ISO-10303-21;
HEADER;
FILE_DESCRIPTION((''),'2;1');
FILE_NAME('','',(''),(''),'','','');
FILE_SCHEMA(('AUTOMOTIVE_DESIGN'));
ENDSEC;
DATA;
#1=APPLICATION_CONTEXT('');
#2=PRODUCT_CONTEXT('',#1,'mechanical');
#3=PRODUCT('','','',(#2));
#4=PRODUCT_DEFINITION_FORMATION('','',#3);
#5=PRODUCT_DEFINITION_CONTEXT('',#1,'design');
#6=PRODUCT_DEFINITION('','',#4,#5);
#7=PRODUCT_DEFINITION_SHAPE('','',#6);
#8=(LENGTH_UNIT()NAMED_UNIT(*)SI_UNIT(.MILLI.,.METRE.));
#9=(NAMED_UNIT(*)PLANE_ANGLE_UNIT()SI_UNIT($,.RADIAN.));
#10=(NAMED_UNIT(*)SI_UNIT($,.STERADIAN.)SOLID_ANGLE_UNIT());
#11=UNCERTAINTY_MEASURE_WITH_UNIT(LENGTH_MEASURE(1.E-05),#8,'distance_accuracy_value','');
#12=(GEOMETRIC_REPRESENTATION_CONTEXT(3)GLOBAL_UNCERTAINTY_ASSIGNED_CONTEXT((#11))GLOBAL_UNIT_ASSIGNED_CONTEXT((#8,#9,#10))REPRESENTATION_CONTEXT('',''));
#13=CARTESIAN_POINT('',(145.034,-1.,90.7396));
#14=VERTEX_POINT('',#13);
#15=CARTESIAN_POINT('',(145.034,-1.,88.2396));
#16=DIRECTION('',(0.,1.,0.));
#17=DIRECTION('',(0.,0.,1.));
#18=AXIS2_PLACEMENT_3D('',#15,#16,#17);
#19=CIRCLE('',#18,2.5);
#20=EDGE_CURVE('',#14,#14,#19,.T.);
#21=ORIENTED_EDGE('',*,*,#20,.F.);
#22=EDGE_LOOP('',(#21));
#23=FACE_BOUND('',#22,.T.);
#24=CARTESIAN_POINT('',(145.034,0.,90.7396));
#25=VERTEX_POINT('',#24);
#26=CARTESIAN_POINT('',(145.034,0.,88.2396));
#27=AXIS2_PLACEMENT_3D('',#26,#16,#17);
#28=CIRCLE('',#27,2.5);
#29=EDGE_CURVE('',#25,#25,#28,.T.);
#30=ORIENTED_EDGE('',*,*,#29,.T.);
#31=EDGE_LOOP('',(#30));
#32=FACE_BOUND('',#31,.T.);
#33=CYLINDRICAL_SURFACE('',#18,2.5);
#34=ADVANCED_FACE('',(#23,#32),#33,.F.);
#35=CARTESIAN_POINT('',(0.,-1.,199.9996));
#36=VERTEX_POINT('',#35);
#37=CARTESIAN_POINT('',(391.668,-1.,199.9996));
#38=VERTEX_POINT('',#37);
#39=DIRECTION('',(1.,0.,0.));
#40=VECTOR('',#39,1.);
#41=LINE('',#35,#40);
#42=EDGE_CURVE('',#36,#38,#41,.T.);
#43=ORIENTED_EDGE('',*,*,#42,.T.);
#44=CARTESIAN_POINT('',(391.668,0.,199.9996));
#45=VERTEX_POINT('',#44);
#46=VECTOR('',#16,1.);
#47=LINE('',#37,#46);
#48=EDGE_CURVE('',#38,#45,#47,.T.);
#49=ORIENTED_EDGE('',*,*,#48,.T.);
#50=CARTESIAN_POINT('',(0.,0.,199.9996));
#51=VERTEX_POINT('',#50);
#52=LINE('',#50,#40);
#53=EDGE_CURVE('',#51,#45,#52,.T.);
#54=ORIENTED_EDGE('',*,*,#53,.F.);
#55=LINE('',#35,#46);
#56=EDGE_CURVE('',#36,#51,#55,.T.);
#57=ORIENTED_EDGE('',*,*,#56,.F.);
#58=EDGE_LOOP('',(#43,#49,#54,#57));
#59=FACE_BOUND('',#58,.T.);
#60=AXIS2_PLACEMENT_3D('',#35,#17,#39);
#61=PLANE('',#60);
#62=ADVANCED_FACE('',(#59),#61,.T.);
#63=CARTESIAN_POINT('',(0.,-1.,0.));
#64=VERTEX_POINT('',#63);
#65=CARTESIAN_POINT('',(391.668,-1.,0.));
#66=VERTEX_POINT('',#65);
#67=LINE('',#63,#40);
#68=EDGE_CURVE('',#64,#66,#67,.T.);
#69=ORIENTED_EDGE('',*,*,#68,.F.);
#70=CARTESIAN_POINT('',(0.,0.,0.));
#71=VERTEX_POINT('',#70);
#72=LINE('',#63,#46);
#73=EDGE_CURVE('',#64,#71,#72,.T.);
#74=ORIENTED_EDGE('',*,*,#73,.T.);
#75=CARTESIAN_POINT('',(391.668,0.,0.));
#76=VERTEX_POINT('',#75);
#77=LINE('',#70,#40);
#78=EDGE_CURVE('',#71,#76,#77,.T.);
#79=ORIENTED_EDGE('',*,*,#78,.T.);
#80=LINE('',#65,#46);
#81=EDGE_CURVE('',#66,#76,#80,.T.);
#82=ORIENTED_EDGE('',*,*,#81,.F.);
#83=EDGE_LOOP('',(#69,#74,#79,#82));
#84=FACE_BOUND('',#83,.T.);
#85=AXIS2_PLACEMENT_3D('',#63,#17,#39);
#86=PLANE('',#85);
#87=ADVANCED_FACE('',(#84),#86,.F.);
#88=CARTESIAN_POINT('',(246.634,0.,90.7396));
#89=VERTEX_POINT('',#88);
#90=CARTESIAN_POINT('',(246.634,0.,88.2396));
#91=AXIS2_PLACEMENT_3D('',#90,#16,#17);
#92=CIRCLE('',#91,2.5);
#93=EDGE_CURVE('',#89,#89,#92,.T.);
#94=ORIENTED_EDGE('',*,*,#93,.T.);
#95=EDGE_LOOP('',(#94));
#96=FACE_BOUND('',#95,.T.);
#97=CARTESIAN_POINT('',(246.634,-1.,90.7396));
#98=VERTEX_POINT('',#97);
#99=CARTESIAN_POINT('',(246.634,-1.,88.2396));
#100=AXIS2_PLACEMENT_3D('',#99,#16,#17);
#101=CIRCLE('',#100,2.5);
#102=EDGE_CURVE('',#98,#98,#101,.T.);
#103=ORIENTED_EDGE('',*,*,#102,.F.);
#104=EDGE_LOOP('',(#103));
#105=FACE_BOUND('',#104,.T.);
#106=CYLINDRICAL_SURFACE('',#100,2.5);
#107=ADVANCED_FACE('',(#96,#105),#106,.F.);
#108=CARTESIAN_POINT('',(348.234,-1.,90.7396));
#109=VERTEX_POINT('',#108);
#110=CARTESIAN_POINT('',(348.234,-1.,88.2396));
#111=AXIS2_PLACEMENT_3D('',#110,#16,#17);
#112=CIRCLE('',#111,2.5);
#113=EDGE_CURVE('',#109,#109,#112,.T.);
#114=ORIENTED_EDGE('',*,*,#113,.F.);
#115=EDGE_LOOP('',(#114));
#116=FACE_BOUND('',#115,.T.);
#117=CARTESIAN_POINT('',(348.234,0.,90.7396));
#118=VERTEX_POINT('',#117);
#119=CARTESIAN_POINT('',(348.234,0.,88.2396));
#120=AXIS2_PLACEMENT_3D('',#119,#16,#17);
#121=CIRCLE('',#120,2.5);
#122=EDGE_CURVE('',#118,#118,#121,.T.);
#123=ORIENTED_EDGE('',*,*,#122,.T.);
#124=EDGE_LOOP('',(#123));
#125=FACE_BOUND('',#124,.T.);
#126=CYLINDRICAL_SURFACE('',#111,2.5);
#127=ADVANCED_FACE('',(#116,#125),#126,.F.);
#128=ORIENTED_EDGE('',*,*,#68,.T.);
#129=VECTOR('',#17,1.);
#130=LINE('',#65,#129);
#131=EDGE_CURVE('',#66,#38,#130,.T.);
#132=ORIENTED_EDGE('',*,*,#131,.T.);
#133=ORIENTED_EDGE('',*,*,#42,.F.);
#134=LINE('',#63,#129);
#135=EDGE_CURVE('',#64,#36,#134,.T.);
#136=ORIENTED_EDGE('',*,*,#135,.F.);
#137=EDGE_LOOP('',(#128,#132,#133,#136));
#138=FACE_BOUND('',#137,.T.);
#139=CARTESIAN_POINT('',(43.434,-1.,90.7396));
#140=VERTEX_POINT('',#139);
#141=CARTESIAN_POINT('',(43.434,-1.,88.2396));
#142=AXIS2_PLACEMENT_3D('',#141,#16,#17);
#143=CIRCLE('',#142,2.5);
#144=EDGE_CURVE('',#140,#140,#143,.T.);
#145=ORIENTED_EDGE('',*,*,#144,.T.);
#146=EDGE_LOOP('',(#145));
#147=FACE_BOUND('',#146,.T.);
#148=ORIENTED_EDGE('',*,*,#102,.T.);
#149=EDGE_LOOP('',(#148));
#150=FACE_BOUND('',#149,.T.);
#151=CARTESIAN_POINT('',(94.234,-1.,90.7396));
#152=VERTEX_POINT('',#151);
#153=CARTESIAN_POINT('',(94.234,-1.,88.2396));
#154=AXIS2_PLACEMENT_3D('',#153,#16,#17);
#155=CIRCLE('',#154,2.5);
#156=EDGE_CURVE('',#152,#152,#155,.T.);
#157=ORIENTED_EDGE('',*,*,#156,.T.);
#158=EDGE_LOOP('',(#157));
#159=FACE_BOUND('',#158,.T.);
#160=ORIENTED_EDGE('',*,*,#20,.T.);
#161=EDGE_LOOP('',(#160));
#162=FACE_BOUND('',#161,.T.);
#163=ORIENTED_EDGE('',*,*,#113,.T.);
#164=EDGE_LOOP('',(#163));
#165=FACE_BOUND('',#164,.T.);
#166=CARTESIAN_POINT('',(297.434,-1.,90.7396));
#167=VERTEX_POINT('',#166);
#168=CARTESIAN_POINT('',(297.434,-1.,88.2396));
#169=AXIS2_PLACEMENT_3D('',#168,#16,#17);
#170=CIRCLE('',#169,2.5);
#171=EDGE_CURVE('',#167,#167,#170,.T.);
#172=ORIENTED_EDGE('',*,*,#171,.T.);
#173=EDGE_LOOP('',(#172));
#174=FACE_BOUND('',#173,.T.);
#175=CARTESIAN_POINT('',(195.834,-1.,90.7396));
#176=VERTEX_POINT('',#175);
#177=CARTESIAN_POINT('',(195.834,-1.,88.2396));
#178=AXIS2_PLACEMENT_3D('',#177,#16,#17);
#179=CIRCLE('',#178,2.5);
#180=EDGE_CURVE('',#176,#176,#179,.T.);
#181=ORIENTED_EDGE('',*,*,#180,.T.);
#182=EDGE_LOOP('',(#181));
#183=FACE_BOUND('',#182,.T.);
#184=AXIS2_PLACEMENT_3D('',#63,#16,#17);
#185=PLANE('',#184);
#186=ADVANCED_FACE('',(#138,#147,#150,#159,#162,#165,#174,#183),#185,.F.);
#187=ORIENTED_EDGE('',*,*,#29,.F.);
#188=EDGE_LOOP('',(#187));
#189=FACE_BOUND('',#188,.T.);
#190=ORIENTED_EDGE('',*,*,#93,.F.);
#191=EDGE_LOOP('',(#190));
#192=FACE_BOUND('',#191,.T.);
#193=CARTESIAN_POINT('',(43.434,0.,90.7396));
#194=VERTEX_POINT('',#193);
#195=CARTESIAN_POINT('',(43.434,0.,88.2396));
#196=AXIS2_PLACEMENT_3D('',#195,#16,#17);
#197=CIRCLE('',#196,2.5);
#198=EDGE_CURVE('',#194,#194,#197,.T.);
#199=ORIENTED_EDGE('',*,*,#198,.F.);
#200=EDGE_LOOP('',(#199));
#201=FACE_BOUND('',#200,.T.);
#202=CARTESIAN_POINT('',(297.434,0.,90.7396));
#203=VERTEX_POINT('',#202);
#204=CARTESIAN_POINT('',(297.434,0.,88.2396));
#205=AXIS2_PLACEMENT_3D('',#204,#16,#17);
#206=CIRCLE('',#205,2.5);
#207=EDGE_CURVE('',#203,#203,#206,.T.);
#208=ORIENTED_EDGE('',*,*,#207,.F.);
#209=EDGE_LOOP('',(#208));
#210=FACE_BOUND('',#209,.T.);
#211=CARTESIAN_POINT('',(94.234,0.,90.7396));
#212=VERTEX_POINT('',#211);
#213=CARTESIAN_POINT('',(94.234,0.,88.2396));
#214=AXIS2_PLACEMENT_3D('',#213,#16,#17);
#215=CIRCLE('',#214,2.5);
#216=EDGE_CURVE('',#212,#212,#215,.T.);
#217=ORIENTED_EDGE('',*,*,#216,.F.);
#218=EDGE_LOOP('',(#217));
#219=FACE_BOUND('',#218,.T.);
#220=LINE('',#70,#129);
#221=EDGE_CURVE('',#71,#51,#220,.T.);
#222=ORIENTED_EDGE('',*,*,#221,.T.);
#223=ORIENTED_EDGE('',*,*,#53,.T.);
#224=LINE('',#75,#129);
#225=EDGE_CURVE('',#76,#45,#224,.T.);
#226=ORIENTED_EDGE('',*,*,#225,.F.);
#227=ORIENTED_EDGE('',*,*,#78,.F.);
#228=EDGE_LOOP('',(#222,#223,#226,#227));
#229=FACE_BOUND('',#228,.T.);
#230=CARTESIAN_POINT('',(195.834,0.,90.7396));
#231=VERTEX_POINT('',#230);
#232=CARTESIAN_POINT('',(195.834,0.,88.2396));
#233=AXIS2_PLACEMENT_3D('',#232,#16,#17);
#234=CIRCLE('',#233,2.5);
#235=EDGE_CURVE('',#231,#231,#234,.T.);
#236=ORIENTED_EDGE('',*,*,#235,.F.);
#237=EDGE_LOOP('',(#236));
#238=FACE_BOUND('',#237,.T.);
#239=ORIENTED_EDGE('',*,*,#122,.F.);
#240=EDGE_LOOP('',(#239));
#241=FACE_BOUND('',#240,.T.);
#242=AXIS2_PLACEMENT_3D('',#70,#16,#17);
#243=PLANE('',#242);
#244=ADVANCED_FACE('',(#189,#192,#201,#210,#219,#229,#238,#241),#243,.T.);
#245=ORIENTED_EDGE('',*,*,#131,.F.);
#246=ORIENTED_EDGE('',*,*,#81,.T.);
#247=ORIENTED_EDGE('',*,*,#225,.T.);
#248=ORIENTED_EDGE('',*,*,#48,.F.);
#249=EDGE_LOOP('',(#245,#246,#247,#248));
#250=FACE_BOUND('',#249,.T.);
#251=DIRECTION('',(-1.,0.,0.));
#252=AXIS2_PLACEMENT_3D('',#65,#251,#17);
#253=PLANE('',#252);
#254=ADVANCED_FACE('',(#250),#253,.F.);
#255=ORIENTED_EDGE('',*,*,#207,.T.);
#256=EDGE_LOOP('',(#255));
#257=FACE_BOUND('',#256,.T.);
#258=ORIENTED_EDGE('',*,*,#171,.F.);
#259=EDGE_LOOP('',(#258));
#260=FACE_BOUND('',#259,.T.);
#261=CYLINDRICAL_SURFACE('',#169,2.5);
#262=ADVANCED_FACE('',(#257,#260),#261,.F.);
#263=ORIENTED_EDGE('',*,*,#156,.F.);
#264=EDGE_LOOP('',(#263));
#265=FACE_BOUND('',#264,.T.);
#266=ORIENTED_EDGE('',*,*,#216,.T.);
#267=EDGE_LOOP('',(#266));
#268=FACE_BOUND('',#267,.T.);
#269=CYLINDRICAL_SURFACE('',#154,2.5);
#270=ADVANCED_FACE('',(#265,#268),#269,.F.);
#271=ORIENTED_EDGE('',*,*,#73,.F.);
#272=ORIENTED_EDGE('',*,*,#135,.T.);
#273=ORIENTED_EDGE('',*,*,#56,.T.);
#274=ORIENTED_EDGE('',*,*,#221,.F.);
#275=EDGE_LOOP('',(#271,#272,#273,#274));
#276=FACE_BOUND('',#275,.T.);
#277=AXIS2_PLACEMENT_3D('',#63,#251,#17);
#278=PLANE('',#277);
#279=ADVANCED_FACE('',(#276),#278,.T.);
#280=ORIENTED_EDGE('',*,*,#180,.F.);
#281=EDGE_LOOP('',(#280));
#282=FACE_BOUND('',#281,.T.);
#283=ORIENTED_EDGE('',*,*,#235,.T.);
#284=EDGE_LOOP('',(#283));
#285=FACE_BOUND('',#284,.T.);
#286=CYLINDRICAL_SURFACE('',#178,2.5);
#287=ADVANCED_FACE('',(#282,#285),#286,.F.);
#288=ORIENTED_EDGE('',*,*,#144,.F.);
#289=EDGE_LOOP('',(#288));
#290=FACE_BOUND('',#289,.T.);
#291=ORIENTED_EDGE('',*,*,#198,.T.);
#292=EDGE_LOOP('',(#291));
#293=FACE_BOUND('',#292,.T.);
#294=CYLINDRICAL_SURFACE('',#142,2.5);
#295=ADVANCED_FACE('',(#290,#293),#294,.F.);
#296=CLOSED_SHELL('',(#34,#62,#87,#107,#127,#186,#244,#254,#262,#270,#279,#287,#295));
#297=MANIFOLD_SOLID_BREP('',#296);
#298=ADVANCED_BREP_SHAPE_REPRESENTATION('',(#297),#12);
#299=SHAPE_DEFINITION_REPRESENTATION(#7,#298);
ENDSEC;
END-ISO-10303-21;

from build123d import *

# Parameters (mm, degrees)
SKETCH1_W           = 391.668
SKETCH1_H           = 199.9996
SKETCH1_R           = 2.5
BOSS_EXTRUDE1_DEPTH = 1


with BuildPart() as part:
    # Sketch1 → Boss-Extrude1 (new body)
    with BuildSketch(Plane(origin=(0, 0, 0), x_dir=(1, 0, 0), z_dir=(0, 1, 0))):
        with Locations((195.834, -99.9998)):
            Rectangle(SKETCH1_W, SKETCH1_H)
        with Locations(Location((348.234, -88.2396, 0), (0, 0, 270))):
            Circle(SKETCH1_R, mode=Mode.SUBTRACT)
        with Locations(Location((297.434, -88.2396, 0), (0, 0, 270))):
            Circle(SKETCH1_R, mode=Mode.SUBTRACT)
        with Locations(Location((246.634, -88.2396, 0), (0, 0, 270))):
            Circle(SKETCH1_R, mode=Mode.SUBTRACT)
        with Locations(Location((43.434, -88.2396, 0), (0, 0, 270))):
            Circle(SKETCH1_R, mode=Mode.SUBTRACT)
        with Locations(Location((94.234, -88.2396, 0), (0, 0, 270))):
            Circle(SKETCH1_R, mode=Mode.SUBTRACT)
        with Locations(Location((145.034, -88.2396, 0), (0, 0, 270))):
            Circle(SKETCH1_R, mode=Mode.SUBTRACT)
        with Locations(Location((195.834, -88.2396, 0), (0, 0, 270))):
            Circle(SKETCH1_R, mode=Mode.SUBTRACT)
    extrude(amount=-BOSS_EXTRUDE1_DEPTH)


solid = part.part
